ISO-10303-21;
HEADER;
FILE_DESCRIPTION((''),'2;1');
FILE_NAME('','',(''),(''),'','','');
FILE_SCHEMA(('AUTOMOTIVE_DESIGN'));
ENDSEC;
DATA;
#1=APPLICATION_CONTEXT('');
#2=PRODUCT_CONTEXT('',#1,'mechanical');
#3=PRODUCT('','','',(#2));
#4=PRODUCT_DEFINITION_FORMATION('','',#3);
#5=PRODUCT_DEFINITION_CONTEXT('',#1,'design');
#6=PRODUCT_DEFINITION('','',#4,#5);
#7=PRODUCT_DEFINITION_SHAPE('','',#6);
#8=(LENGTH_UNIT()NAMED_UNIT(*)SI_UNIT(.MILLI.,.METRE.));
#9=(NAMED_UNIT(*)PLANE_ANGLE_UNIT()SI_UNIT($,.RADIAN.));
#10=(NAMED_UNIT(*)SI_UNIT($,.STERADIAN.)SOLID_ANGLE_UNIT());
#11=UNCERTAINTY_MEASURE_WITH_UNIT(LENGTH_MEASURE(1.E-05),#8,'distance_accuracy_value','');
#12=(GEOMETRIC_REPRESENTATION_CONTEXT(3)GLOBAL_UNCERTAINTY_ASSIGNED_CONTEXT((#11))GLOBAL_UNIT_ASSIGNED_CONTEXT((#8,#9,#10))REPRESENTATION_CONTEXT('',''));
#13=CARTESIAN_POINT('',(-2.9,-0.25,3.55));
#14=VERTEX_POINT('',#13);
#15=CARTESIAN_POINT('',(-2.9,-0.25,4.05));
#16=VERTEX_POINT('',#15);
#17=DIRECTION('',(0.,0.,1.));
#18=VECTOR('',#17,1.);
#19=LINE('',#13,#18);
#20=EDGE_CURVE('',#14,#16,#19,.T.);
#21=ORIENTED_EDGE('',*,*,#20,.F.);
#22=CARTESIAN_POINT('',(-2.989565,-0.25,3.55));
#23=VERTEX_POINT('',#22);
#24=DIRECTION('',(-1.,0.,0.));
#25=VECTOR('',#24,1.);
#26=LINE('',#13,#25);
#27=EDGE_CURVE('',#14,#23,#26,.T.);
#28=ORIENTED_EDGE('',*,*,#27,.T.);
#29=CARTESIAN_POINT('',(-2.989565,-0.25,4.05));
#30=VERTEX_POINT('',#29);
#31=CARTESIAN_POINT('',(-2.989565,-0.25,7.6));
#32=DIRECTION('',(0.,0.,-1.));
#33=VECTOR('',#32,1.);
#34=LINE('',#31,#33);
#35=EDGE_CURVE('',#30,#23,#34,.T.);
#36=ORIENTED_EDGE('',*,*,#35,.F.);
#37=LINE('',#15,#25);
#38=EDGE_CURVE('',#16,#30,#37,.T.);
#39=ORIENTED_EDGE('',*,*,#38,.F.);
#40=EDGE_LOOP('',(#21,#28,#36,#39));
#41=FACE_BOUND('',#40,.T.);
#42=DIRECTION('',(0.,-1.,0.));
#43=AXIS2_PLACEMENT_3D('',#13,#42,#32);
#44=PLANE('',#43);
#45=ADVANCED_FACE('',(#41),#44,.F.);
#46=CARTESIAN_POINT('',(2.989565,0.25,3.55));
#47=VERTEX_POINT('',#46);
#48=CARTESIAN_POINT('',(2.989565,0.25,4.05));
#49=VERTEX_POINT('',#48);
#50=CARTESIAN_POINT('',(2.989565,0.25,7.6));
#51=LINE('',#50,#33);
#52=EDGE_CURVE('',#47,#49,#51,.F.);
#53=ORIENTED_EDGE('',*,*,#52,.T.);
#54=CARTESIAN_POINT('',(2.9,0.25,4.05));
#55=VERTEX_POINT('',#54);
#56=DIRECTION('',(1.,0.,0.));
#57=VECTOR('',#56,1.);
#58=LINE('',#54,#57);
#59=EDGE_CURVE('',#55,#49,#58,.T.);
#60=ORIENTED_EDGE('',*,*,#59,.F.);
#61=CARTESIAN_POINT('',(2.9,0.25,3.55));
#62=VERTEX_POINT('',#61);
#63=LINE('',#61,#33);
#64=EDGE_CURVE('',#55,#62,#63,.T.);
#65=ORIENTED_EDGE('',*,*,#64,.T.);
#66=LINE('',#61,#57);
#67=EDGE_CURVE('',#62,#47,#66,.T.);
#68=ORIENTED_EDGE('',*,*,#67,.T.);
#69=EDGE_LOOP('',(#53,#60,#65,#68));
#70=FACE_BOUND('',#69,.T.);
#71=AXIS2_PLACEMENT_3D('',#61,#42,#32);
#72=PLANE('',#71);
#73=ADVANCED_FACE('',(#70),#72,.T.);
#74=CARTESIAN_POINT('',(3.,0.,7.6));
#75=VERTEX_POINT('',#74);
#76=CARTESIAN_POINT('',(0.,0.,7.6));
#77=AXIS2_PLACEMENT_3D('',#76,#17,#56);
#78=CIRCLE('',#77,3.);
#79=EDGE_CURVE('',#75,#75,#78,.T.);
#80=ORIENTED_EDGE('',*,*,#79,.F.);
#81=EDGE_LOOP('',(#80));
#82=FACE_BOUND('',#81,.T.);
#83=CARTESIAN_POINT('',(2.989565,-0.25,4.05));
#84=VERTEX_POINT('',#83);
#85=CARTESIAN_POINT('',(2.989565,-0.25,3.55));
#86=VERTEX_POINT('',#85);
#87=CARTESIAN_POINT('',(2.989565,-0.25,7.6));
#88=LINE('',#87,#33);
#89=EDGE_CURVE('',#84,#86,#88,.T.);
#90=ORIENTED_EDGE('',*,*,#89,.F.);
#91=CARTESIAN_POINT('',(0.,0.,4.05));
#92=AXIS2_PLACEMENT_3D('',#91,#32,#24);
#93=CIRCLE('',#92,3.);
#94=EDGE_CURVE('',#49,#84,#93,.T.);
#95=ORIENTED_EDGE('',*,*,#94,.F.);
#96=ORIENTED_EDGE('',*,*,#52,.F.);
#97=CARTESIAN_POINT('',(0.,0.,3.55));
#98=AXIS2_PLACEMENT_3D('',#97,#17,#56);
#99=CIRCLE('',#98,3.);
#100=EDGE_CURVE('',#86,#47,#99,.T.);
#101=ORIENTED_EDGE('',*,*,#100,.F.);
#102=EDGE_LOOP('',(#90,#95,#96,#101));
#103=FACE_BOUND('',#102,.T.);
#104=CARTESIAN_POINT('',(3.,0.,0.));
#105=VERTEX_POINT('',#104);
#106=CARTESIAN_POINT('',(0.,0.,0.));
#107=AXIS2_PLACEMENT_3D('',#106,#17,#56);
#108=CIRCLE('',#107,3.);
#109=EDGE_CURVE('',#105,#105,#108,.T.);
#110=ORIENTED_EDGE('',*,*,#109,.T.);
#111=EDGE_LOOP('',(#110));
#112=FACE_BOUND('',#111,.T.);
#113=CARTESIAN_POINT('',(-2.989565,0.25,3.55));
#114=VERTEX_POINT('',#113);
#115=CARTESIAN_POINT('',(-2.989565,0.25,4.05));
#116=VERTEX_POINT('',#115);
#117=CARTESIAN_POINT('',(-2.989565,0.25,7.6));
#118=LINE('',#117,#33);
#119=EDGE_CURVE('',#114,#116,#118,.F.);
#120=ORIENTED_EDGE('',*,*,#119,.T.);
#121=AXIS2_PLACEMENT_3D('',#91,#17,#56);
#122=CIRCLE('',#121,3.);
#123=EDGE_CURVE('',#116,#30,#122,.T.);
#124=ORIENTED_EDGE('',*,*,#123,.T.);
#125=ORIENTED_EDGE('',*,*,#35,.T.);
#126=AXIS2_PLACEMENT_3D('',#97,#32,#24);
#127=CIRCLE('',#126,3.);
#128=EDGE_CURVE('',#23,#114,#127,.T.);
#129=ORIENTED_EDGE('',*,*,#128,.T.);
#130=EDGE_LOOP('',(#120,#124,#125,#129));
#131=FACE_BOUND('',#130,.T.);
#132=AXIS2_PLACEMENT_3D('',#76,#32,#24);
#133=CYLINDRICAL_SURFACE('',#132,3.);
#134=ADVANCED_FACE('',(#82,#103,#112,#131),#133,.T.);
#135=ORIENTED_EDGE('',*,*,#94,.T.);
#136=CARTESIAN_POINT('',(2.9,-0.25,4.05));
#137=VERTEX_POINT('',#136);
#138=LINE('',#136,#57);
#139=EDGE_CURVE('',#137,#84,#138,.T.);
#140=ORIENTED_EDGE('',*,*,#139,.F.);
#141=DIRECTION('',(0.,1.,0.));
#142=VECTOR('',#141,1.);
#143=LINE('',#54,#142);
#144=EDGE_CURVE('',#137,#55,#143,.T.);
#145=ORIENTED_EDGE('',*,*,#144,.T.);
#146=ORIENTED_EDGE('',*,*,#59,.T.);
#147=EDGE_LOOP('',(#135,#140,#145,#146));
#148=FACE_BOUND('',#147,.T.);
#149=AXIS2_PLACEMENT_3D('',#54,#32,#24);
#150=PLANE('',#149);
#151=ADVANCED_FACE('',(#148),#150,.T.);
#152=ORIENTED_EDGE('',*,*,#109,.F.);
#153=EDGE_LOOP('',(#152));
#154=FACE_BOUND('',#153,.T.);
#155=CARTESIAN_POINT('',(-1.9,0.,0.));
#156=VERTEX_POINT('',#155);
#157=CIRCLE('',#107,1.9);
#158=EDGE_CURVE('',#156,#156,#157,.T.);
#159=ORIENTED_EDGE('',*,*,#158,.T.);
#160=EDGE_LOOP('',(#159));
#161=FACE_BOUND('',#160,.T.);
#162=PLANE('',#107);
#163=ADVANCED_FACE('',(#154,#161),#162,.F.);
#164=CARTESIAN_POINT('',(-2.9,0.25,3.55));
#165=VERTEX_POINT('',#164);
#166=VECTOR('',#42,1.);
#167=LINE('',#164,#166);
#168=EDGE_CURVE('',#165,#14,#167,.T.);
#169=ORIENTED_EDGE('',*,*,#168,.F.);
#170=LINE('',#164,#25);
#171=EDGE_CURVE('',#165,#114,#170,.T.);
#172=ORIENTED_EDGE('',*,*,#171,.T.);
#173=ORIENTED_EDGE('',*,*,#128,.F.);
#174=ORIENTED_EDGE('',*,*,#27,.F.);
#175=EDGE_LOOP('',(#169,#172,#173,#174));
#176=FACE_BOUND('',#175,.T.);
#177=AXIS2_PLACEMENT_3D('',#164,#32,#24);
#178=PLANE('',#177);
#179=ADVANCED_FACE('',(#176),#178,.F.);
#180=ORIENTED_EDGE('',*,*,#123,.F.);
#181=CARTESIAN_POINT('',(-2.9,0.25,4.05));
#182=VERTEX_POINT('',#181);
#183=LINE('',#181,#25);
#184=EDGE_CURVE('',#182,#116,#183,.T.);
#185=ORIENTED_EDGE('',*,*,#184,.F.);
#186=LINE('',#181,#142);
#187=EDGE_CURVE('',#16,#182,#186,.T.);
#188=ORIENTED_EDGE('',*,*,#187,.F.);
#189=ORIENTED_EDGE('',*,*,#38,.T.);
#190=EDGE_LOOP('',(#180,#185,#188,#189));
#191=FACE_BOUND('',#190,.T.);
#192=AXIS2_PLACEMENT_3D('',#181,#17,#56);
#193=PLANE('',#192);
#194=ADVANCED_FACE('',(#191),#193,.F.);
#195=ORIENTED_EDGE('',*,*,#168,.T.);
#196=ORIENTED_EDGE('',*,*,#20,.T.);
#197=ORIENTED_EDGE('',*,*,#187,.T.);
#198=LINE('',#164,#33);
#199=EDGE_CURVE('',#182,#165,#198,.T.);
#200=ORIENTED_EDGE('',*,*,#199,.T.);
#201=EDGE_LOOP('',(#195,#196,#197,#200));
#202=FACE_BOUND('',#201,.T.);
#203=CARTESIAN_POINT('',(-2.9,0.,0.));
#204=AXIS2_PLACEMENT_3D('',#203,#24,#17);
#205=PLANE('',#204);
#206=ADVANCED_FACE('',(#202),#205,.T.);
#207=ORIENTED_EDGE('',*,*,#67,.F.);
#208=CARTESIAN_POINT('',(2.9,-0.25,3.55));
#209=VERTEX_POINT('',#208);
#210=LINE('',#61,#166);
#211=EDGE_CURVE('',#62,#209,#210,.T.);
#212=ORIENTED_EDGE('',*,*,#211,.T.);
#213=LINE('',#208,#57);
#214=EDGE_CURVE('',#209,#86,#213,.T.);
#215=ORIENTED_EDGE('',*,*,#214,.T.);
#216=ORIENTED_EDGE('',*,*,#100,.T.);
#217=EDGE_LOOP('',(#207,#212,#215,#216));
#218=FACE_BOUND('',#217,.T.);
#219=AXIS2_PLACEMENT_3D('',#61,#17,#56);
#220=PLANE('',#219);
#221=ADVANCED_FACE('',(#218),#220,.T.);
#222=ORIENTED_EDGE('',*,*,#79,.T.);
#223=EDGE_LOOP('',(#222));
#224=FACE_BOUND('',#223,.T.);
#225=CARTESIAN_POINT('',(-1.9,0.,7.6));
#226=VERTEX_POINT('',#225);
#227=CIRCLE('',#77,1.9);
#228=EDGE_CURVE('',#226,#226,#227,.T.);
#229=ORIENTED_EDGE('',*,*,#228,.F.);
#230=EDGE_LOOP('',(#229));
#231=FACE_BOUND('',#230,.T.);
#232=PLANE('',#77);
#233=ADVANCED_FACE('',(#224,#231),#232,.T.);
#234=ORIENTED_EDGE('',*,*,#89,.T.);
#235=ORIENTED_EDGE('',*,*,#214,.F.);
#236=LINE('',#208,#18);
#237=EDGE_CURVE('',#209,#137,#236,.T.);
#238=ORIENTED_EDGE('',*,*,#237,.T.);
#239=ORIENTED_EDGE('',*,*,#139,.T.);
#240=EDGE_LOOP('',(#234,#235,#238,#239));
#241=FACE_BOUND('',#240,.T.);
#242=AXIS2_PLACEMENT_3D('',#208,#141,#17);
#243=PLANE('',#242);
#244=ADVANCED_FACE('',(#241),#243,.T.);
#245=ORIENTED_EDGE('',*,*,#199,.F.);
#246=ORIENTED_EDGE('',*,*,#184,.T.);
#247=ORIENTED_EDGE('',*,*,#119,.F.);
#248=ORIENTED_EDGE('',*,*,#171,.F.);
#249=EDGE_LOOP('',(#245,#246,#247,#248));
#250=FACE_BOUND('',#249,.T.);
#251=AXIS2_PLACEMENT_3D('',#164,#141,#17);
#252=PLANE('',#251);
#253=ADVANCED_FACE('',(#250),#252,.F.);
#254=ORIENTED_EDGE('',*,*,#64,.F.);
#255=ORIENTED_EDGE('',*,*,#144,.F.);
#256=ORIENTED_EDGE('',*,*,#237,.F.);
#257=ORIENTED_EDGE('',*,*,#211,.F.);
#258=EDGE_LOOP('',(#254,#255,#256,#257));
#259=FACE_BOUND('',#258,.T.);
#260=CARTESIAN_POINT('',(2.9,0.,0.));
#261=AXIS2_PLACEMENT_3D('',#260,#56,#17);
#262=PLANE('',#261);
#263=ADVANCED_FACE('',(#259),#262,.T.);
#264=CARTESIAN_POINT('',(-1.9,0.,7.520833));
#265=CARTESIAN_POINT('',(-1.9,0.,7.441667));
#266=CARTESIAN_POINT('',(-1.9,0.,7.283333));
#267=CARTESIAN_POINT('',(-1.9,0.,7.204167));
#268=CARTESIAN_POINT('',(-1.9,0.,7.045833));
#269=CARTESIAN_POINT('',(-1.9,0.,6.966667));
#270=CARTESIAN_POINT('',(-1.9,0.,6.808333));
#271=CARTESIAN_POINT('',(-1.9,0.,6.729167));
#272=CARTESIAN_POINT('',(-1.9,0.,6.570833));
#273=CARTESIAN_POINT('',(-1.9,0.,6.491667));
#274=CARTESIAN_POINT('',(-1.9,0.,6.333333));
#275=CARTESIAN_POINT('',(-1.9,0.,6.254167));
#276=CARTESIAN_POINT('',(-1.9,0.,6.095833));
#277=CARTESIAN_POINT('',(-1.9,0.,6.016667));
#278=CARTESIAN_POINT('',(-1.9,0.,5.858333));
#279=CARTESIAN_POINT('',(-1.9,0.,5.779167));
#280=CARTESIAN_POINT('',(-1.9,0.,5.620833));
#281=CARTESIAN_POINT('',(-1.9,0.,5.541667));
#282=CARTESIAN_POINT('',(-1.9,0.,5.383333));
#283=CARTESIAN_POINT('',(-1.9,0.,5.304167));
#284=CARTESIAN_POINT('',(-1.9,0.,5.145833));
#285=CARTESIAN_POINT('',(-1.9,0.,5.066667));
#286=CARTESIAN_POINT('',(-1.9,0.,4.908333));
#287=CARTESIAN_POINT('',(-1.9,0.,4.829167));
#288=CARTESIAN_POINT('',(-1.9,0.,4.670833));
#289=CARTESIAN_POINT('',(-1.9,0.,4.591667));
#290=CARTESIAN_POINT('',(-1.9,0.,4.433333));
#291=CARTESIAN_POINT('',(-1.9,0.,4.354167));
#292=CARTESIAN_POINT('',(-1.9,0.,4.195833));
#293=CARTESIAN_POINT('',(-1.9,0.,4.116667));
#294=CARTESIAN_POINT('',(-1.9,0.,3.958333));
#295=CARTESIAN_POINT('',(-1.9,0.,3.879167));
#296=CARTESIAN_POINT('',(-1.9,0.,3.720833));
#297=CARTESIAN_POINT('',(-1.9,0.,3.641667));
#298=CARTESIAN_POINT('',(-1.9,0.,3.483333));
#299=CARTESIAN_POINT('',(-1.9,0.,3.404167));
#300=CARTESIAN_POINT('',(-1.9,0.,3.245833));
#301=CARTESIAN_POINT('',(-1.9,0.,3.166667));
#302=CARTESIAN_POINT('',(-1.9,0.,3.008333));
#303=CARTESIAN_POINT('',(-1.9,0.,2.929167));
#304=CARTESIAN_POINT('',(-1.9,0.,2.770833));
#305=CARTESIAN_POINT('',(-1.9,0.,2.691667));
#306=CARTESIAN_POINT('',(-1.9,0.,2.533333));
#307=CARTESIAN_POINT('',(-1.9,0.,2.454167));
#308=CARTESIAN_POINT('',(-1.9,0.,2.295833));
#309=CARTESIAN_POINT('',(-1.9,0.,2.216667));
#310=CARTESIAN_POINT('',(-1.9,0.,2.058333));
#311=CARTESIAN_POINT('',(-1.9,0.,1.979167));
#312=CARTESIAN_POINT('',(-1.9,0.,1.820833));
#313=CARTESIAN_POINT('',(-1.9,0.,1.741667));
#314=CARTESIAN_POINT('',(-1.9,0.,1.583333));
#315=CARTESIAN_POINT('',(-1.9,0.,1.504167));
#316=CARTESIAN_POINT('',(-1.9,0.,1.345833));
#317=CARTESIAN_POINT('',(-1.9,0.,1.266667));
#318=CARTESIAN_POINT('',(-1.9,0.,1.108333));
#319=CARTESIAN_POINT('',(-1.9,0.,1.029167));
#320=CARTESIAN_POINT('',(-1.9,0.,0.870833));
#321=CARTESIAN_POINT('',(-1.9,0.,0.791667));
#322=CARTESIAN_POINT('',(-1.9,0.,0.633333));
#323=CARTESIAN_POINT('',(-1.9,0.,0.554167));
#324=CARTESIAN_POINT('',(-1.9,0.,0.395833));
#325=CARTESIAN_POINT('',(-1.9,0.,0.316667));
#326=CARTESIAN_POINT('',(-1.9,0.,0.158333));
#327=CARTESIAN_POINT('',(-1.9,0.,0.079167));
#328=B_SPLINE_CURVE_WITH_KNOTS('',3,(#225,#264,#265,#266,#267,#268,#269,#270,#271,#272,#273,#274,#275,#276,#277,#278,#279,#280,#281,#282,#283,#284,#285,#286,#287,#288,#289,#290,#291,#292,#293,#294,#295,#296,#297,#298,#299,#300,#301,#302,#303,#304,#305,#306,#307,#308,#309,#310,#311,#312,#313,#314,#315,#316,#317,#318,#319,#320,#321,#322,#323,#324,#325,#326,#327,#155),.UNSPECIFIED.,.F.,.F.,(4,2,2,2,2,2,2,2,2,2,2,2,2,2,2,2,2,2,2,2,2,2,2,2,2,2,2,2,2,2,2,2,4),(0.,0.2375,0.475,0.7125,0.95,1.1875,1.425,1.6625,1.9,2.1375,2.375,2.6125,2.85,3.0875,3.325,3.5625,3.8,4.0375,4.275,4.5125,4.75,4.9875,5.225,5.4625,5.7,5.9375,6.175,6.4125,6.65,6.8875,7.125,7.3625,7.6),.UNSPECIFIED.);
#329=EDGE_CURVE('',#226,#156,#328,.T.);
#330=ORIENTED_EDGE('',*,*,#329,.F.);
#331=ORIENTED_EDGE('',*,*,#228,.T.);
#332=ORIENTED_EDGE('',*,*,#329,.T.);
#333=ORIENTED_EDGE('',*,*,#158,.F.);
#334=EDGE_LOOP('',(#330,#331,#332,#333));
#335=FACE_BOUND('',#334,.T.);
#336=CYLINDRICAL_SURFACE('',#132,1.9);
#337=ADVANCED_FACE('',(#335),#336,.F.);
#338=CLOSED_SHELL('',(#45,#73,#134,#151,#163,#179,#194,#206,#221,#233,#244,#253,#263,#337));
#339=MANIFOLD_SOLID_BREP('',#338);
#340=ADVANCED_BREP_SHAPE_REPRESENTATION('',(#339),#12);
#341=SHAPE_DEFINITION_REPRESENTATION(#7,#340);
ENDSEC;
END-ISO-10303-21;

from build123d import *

# Parameters (mm, degrees)
CROQUIS1_R              = 3
CROQUIS1_R_2            = 1.9
SALIENTE_EXTRUIR1_DEPTH = 7.6
CROQUIS3_W              = 0.5
CROQUIS3_H              = 0.5
CORTAR_EXTRUIR1_DEPTH   = 0.1


with BuildPart() as part:
    # Croquis1 → Saliente-Extruir1 (new body)
    with BuildSketch(Plane.XY):
        with Locations(Location((0, 0, 0), (0, 0, 180))):
            Circle(CROQUIS1_R)
        with Locations(Location((0, 0, 0), (0, 0, 180))):
            Circle(CROQUIS1_R_2, mode=Mode.SUBTRACT)
    extrude(amount=SALIENTE_EXTRUIR1_DEPTH)

    # Croquis3 → Cortar-Extruir1 (cut)
    with BuildSketch(Plane.ZY.offset(3)):
        with Locations((3.8, 0)):
            Rectangle(CROQUIS3_W, CROQUIS3_H)
    cortar_extruir1 = extrude(amount=-CORTAR_EXTRUIR1_DEPTH, mode=Mode.SUBTRACT)

    # Simetría1: Cortar-Extruir1 across plane
    add(cortar_extruir1.mirror(Plane(origin=(0, 0, 0), x_dir=(0, 0, 1), z_dir=(1, 0, 0))), mode=Mode.SUBTRACT)


solid = part.part
